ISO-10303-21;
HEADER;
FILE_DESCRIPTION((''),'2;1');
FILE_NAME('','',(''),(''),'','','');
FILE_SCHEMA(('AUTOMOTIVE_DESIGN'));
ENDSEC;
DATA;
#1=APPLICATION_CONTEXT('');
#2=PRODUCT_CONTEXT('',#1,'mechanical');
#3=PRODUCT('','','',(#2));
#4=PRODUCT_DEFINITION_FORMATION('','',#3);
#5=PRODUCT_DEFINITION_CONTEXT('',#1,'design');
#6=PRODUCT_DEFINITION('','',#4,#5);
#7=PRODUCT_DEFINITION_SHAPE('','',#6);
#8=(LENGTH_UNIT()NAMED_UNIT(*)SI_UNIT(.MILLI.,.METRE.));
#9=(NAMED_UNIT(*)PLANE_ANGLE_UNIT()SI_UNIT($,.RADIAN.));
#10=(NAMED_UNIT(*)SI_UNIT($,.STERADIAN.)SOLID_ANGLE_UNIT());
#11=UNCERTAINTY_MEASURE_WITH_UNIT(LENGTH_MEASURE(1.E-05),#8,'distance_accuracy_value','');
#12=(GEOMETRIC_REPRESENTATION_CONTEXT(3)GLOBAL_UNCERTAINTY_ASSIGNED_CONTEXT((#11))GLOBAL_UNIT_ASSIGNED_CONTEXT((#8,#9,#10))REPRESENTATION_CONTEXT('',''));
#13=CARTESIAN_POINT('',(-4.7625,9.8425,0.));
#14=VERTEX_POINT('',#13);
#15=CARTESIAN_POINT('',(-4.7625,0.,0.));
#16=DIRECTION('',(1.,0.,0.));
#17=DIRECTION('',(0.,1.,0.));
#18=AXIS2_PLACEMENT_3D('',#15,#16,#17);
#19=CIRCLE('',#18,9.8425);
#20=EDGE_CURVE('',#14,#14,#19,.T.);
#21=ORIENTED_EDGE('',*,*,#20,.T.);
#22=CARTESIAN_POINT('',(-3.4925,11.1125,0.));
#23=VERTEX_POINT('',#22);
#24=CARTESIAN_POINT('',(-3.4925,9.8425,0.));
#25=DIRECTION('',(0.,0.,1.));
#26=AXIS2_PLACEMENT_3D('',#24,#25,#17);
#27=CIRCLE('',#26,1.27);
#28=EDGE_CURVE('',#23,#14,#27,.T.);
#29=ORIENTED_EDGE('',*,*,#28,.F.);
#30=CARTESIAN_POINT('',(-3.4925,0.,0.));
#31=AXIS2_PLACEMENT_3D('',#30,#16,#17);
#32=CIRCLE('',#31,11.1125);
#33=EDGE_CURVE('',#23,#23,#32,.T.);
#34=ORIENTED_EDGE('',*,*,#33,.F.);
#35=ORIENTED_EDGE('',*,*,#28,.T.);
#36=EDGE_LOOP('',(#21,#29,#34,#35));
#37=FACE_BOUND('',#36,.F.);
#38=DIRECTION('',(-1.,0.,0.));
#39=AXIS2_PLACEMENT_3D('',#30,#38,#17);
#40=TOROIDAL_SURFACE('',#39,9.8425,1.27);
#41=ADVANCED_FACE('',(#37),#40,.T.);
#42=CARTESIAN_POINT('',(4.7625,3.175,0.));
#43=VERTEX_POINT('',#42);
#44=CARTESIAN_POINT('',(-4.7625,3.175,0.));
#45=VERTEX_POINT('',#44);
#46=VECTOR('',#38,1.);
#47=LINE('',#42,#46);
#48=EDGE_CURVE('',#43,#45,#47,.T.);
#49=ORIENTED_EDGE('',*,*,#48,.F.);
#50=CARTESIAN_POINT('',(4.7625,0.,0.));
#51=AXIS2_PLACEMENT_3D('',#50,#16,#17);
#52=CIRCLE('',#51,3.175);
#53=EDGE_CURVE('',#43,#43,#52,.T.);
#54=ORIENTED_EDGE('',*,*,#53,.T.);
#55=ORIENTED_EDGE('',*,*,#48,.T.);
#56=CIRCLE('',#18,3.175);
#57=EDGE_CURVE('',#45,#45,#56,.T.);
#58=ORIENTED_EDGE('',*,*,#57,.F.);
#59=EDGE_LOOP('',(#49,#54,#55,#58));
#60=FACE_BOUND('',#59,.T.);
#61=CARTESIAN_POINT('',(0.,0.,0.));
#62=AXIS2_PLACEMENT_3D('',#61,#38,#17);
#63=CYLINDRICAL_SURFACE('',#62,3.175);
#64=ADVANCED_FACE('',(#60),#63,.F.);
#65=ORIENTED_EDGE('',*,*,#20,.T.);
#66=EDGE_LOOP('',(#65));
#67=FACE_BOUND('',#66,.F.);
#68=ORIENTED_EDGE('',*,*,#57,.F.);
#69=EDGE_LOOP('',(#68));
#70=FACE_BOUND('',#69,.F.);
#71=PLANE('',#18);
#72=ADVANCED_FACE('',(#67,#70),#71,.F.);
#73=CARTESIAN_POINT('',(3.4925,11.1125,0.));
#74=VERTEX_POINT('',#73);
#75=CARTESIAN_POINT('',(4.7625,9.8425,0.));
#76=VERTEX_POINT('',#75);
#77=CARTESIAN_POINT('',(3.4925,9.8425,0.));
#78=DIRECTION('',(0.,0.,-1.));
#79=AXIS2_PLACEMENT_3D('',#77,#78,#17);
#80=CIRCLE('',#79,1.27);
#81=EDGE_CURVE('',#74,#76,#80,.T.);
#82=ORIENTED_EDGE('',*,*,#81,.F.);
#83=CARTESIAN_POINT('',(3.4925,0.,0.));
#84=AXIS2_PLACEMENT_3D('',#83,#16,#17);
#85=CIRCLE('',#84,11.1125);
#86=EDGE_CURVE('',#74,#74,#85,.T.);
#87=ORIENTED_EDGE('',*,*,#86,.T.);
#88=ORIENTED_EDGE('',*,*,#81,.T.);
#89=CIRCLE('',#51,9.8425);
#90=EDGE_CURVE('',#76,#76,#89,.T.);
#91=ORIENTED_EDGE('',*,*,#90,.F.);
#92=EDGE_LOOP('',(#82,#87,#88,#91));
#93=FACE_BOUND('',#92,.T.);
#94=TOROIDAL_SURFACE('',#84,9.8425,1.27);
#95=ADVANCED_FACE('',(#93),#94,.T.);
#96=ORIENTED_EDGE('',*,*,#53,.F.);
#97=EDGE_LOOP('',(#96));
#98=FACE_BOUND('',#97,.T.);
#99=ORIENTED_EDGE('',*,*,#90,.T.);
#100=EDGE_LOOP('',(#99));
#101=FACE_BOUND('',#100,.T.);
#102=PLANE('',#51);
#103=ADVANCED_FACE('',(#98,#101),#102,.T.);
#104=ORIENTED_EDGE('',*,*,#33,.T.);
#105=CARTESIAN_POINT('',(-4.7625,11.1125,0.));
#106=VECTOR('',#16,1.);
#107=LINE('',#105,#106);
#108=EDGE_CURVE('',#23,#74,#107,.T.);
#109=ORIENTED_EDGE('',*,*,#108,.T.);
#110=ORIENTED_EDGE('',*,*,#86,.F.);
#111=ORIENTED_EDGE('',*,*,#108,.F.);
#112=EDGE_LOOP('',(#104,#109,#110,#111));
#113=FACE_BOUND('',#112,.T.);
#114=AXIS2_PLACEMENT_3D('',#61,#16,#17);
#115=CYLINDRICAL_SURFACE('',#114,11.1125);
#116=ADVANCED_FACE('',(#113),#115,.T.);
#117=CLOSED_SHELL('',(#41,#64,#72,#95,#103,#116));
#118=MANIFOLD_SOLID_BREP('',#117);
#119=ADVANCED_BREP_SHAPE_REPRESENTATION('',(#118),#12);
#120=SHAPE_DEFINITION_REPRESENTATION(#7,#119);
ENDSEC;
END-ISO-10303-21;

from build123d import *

# Parameters (mm, degrees)
F0_R     = 11.1125
F0_R_2   = 3.175
F1_DEPTH = 4.7625
F2_R     = 1.27


with BuildPart() as f1:
    # F0 (on Right) → F1 (new body, symmetric)
    with BuildSketch(Plane.YZ):
        Circle(F0_R)
        Circle(F0_R_2, mode=Mode.SUBTRACT)
    extrude(amount=F1_DEPTH, both=True)

    # F2
    f2_edges = [f1.edges().sort_by_distance(p)[0] for p in [
        (4.7625, -11.1125, 0),
        (-4.7625, -11.1125, 0),
    ]]
    fillet(f2_edges, radius=F2_R)


solid = f1.part
